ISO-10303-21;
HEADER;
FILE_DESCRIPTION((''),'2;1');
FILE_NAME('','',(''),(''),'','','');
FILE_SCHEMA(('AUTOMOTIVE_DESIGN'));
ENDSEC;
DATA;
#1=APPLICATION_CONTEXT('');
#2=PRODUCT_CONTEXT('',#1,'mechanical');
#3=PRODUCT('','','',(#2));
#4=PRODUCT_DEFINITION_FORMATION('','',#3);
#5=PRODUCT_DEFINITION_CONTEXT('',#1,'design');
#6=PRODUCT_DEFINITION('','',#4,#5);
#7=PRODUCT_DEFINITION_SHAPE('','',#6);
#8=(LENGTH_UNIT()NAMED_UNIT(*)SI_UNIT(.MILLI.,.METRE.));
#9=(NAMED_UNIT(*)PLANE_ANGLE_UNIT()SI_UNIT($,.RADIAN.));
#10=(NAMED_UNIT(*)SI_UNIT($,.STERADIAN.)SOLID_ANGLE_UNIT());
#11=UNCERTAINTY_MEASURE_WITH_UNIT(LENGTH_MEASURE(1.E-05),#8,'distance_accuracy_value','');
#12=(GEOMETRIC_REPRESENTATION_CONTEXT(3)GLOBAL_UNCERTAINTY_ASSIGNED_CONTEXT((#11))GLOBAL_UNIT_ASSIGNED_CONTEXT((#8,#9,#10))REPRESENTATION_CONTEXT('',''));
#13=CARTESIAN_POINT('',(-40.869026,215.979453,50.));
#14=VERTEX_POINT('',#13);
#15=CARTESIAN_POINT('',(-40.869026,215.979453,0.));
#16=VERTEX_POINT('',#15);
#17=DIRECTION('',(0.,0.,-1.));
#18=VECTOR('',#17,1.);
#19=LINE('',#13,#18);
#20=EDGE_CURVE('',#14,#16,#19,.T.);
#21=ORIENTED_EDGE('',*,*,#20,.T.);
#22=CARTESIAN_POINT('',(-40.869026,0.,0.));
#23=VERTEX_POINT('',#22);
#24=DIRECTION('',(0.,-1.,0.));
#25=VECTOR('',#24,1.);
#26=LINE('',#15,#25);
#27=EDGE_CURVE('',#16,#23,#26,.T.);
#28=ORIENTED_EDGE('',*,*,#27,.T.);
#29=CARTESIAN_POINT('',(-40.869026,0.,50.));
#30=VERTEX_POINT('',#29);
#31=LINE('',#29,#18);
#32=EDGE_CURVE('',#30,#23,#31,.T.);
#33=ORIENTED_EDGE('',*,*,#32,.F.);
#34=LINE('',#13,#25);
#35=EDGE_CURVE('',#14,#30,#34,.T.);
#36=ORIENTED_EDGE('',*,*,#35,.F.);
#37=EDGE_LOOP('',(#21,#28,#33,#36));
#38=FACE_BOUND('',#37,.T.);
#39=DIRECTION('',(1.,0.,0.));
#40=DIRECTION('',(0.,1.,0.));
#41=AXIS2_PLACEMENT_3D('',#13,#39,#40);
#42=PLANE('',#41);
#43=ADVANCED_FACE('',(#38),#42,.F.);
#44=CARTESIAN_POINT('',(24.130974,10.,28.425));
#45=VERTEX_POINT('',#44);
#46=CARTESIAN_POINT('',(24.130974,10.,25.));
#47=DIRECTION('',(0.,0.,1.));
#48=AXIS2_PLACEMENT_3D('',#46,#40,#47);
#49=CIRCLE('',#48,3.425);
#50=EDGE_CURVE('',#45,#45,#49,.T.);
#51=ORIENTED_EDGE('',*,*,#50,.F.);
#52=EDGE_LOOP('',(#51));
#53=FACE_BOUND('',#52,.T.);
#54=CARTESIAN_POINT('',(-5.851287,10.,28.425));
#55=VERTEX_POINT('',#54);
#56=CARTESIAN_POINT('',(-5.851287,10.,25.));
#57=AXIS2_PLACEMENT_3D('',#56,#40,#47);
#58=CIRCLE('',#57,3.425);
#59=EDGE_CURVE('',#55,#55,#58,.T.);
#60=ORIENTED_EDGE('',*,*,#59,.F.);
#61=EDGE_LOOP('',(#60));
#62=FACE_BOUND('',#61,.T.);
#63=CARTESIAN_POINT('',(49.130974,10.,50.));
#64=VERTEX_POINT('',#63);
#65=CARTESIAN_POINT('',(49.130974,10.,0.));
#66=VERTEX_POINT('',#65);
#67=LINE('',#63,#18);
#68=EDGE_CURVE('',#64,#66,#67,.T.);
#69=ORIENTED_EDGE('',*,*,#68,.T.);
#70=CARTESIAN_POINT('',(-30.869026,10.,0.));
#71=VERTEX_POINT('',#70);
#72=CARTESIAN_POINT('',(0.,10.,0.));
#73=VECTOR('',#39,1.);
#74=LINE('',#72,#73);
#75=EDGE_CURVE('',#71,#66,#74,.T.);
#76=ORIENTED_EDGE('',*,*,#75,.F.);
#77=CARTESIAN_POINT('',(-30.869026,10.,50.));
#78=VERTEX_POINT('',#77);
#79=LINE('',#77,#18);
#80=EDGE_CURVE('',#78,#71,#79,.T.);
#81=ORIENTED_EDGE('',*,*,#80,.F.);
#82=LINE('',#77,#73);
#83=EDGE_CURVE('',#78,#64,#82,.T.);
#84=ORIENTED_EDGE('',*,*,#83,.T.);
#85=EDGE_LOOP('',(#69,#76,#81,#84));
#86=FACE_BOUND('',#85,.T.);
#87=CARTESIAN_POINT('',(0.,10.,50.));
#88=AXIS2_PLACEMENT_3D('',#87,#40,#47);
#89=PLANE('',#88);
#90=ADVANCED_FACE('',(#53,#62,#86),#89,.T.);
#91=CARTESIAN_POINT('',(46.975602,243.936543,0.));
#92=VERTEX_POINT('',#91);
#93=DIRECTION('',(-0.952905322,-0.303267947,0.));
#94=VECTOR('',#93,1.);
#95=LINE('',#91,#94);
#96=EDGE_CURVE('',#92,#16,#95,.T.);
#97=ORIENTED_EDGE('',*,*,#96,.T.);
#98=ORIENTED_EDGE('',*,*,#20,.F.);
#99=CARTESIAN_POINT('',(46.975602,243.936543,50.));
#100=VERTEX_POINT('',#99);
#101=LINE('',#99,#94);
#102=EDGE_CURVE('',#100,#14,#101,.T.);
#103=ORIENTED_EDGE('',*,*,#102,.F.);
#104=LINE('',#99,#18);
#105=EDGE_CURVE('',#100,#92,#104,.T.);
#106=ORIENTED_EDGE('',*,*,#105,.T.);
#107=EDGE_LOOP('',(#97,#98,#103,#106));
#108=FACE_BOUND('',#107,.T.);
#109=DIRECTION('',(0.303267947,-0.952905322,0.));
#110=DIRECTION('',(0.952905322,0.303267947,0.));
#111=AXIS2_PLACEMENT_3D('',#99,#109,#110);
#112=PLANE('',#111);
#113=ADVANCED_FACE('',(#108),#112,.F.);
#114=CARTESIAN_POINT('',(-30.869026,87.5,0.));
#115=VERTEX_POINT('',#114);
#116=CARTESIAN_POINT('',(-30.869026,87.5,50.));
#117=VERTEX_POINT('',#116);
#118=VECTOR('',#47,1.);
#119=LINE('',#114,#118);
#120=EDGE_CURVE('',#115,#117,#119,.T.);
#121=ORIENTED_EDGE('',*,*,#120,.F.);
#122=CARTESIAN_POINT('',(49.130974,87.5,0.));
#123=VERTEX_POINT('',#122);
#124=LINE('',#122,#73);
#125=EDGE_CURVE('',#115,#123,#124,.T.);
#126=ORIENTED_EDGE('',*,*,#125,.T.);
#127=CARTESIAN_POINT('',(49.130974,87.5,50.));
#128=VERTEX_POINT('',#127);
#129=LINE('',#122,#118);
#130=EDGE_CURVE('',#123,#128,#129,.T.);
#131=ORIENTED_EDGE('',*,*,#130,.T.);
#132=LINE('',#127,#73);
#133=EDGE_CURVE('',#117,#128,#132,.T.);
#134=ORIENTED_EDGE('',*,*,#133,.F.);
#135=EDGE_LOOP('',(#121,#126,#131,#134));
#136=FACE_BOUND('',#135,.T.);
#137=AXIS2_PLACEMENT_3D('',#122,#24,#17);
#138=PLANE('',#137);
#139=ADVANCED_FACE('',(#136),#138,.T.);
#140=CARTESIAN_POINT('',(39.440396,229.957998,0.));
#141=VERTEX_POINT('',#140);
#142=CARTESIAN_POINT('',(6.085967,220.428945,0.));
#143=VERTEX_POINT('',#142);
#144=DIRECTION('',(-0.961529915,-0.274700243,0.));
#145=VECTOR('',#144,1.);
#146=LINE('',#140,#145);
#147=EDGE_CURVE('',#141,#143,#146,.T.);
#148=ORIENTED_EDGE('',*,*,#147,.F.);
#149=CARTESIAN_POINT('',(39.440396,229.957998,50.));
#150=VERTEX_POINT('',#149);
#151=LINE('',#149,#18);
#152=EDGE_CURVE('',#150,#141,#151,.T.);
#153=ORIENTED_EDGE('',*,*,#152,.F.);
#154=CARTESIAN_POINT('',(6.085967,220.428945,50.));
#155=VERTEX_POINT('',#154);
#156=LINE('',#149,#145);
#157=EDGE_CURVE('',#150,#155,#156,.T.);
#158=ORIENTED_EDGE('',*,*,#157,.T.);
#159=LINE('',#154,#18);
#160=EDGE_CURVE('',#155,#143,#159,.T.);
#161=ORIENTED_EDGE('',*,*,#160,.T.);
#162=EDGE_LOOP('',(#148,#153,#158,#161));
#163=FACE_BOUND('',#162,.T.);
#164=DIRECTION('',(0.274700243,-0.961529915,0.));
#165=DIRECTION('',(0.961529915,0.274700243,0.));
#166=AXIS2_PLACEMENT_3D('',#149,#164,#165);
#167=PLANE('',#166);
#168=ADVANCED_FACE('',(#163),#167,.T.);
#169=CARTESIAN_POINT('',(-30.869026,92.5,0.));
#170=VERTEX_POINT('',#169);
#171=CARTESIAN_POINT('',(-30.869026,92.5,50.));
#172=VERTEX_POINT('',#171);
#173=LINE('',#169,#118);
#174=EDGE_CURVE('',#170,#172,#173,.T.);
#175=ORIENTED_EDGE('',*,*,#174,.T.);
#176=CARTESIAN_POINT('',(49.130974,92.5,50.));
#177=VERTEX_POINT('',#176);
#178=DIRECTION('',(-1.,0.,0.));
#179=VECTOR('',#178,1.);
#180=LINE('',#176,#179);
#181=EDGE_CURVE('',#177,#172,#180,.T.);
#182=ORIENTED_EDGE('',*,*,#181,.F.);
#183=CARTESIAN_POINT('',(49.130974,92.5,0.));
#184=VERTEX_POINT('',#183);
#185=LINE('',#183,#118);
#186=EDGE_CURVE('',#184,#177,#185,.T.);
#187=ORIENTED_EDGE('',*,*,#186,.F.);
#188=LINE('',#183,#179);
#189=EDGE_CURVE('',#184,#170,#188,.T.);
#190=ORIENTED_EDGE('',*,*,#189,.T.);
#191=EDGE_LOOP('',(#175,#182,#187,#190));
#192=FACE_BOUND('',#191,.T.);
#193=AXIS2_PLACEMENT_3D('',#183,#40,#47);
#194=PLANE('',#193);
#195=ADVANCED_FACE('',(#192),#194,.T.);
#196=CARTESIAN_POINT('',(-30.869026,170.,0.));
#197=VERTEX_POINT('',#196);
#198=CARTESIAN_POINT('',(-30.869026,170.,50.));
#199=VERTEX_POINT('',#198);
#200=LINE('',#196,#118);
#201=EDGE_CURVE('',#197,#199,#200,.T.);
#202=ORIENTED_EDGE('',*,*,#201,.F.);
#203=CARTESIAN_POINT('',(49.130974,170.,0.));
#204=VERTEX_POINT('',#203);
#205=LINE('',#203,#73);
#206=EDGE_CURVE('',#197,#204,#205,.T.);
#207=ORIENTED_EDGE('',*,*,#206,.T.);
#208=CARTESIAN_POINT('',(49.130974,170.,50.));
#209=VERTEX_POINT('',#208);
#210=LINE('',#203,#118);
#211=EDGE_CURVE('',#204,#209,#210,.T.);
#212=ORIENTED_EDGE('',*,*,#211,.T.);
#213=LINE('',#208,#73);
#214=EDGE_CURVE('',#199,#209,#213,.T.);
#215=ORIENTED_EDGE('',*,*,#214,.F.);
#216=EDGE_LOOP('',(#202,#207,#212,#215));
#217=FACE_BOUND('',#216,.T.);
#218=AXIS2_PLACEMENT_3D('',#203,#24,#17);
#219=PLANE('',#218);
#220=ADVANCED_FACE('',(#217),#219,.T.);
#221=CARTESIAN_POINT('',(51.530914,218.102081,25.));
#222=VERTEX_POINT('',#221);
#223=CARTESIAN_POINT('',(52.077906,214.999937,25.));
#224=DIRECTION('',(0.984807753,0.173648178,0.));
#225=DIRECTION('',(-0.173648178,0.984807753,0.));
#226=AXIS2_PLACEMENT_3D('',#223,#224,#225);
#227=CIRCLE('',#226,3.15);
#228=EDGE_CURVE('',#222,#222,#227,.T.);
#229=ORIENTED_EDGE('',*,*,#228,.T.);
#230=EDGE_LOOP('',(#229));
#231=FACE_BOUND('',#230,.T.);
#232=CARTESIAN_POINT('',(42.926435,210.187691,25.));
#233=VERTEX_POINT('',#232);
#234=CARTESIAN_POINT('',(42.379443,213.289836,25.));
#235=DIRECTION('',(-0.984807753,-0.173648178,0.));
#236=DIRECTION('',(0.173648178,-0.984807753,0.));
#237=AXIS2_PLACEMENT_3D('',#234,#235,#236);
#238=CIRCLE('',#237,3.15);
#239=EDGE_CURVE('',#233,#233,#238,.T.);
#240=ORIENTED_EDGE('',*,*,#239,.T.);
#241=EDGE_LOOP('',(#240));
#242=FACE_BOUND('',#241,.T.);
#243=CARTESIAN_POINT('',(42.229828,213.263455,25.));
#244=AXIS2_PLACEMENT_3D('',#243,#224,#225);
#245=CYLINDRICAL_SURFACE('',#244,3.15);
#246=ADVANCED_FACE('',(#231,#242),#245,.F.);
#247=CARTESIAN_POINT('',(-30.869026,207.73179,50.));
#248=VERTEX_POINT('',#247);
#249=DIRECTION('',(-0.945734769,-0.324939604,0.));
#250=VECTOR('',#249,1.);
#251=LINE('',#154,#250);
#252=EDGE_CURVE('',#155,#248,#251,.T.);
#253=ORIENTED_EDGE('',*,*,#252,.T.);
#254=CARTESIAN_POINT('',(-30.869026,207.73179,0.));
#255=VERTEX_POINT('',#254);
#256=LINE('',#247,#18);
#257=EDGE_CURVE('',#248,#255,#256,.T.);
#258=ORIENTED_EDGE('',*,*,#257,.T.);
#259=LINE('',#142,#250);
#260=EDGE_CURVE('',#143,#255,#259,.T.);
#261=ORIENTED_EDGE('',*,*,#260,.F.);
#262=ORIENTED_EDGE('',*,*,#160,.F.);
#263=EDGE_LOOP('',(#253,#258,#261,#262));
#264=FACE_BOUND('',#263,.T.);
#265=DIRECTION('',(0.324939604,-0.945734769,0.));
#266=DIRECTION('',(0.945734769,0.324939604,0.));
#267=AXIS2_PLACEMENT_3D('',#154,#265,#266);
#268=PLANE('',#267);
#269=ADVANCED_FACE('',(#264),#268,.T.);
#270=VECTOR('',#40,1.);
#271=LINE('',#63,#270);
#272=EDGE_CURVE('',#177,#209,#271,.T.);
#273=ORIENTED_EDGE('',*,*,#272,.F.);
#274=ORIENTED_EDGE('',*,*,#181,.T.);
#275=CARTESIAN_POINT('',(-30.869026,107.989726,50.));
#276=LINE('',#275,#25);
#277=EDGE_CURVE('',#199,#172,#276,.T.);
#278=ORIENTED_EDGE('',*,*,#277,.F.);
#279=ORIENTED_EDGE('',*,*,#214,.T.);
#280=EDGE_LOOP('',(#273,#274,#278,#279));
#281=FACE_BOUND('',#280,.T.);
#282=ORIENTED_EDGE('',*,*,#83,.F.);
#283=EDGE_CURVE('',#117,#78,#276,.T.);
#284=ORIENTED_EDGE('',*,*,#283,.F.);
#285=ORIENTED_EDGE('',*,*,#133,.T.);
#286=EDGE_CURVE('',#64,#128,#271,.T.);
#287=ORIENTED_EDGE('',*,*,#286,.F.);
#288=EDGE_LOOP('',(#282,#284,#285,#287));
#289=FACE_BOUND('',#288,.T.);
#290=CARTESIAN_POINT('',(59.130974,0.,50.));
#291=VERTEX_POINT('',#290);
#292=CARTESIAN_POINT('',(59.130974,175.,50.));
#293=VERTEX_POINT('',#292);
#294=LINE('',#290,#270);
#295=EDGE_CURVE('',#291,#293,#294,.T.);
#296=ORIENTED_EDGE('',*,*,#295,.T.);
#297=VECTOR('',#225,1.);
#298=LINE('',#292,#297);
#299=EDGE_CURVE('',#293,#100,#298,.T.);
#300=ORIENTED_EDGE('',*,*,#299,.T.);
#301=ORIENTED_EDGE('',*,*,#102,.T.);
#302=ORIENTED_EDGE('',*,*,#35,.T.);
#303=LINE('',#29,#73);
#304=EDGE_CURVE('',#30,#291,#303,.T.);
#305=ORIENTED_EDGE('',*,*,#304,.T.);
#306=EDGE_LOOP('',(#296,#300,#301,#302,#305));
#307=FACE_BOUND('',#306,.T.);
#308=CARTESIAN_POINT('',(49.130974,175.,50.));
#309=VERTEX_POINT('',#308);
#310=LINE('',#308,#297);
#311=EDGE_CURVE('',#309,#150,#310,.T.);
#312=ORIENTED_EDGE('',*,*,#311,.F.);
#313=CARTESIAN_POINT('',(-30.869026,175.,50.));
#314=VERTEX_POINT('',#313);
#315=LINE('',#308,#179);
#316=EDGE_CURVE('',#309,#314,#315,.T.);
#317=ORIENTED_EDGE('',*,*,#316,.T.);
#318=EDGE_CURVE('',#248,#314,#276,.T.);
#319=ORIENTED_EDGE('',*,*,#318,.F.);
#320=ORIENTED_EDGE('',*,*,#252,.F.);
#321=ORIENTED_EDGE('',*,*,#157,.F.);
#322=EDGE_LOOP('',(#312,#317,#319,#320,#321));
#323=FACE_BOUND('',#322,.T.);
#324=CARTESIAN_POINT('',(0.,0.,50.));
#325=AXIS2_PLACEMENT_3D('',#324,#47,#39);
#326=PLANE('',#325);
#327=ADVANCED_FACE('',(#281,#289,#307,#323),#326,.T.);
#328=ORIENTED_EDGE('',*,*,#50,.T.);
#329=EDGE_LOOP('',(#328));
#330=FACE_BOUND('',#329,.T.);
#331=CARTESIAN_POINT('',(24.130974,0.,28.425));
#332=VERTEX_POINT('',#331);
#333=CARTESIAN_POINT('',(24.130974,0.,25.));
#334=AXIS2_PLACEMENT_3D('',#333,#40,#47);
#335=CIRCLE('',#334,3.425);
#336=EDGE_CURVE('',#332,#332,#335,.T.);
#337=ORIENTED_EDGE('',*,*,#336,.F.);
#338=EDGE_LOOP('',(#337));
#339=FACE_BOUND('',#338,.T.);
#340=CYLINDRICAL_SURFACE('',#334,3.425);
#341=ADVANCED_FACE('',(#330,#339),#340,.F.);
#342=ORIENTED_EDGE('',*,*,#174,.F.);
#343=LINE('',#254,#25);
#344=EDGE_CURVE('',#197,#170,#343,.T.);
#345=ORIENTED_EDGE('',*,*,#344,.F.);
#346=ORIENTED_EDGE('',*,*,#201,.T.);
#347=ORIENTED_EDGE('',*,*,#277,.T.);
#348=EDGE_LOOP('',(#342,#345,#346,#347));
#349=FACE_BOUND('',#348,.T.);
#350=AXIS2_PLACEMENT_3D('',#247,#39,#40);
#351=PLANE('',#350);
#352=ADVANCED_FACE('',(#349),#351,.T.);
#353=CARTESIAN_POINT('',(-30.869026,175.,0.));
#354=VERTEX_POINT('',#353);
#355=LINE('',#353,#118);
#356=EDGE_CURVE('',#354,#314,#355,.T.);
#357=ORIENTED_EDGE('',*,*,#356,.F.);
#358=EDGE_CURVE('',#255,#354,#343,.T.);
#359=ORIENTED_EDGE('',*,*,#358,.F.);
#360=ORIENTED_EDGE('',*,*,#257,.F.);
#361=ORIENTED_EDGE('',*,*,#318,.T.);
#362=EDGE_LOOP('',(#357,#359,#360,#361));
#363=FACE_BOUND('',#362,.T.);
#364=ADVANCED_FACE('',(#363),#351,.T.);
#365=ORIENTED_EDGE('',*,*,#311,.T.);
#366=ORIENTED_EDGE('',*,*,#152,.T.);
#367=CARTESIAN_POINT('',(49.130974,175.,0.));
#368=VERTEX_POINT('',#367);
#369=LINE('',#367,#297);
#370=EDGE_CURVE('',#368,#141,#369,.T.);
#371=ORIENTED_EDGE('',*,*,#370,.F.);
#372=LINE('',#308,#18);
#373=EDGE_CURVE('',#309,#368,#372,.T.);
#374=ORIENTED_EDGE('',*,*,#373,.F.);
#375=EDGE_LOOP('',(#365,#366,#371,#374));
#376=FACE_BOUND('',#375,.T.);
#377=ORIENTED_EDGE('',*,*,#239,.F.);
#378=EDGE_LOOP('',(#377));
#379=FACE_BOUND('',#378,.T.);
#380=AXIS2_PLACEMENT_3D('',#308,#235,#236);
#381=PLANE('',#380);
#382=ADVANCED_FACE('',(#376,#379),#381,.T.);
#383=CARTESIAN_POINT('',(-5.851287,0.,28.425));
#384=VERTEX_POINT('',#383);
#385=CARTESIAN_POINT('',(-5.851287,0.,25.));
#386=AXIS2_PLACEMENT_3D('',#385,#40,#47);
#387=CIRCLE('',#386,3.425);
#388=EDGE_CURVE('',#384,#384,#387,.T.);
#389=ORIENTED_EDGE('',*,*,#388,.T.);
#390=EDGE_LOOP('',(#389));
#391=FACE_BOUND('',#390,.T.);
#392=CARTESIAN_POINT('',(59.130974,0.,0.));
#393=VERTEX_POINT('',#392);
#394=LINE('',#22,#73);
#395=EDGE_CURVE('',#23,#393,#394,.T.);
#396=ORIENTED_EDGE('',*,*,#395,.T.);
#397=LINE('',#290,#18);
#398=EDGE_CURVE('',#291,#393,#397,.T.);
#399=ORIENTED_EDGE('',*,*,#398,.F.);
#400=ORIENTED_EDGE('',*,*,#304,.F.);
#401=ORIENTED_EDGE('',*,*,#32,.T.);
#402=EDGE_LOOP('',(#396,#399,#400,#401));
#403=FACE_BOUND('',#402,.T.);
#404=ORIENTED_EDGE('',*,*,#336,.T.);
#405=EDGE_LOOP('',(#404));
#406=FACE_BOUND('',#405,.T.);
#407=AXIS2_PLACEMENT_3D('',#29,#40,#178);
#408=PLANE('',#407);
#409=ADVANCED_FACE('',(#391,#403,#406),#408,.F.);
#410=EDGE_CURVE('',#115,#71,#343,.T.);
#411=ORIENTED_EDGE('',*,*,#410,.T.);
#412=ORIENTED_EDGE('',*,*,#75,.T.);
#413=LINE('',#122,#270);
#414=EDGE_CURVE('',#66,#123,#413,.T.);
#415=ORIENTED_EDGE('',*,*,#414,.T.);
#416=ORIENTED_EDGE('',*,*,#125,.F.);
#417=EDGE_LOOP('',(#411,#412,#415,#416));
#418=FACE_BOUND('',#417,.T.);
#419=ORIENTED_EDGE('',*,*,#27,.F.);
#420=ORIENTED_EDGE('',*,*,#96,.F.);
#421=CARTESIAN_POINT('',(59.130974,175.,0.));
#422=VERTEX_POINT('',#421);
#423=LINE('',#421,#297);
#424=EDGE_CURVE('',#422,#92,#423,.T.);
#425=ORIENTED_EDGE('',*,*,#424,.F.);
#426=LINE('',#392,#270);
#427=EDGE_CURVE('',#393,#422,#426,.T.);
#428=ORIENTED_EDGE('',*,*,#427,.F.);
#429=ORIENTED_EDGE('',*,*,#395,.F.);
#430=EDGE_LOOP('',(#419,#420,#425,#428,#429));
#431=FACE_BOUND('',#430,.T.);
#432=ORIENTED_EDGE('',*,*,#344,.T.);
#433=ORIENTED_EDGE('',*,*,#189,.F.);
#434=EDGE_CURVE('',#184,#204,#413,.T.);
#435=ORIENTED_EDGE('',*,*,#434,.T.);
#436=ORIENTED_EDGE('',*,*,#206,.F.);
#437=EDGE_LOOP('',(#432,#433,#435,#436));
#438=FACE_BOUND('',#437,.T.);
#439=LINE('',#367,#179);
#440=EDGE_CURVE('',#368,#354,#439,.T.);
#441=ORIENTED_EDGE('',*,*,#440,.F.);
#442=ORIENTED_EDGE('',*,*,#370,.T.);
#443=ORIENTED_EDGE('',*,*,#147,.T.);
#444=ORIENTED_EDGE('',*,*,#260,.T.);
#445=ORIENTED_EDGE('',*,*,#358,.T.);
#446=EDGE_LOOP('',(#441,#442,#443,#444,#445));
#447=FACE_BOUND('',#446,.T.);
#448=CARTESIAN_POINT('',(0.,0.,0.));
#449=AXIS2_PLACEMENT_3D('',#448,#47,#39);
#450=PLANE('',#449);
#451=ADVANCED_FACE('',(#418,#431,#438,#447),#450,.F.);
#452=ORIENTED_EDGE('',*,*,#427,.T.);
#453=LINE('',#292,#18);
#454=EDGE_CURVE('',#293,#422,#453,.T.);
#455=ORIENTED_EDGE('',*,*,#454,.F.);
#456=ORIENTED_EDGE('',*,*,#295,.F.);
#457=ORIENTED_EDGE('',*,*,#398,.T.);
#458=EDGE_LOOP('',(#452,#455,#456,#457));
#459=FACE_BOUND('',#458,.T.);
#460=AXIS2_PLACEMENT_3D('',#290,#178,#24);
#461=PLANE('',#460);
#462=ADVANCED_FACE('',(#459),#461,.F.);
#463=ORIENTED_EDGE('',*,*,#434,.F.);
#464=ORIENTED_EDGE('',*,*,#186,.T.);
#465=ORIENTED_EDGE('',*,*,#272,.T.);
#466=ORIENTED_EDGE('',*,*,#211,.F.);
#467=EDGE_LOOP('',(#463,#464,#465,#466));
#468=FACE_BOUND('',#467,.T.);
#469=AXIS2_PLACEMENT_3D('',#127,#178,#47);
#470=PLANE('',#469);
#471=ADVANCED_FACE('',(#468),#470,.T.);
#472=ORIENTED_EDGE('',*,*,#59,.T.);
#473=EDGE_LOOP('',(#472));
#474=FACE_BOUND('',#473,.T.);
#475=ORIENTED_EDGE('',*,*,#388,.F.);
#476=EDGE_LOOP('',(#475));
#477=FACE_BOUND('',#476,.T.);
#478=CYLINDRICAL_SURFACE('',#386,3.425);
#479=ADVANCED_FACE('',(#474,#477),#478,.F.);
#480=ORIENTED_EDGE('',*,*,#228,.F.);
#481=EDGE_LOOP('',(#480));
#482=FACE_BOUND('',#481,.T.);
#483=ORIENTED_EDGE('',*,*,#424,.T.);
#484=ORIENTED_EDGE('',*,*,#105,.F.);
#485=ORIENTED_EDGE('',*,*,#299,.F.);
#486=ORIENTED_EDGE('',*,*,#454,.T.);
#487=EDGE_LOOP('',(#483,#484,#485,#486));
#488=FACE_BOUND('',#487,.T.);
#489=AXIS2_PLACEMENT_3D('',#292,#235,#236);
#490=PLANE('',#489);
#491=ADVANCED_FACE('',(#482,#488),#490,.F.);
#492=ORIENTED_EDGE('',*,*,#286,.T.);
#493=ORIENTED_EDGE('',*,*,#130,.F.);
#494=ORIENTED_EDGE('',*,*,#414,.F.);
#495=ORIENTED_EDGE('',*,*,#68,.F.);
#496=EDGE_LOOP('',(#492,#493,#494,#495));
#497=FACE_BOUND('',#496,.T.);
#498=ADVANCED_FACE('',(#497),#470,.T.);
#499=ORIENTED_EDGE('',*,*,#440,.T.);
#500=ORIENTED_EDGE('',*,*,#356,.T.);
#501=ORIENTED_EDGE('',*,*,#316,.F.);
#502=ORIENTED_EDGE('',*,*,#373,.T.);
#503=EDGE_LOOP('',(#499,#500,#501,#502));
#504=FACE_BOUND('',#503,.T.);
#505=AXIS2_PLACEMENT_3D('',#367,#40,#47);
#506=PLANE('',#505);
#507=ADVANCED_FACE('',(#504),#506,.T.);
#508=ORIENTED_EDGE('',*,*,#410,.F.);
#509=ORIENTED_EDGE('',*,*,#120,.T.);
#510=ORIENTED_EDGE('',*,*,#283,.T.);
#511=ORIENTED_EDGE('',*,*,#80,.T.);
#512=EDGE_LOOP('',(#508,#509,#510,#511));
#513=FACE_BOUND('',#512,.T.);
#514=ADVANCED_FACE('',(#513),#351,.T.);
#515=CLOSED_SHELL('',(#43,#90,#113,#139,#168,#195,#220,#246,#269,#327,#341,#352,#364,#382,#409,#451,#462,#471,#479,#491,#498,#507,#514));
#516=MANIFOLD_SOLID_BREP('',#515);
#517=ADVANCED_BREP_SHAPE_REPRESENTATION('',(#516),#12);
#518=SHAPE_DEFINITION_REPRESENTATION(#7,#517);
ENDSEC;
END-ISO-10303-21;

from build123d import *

# Parameters (mm, degrees)
BOSS_EXTRUDE1_DEPTH = 50
SKETCH4_R           = 3.15
CUT_EXTRUDE1_DEPTH  = 10
SKETCH10_R          = 3.425
CUT_EXTRUDE5_DEPTH  = 10
SKETCH12_W          = 80
SKETCH12_H          = 5
BOSS_EXTRUDE2_DEPTH = 50


with BuildPart() as part:
    # Sketch2 → Boss-Extrude1 (new body)
    with BuildSketch(Plane.XY):
        Polygon((-40.869025982, 215.979452737), (-40.869025982, 0), (59.130974018, 0), (59.130974018, 175), (46.975601581, 243.936542711), align=None)
        Polygon((0, 10), (49.130974018, 10), (49.130974018, 87.5), (49.130974018, 175), (39.440396213, 229.957997724), (6.085967265, 220.428944505), (-30.869025982, 207.731789579), (-30.869025982, 107.989726368), (-30.869025982, 10), align=None, mode=Mode.SUBTRACT)
    extrude(amount=BOSS_EXTRUDE1_DEPTH)

    # Sketch4 → Cut-Extrude1 (cut)
    with BuildSketch(Plane(origin=(87.274719522, 15.388887785, 0), x_dir=(0, 0, -1), z_dir=(0.984807753, 0.173648178, 0))):
        with Locations((-25, 202.690370895)):
            Circle(SKETCH4_R)
    extrude(amount=-CUT_EXTRUDE1_DEPTH, mode=Mode.SUBTRACT)

    # Sketch10 → Cut-Extrude5 (cut)
    with BuildSketch(Plane(origin=(0, 10, 0), x_dir=(1, 0, 0), z_dir=(0, 1, 0))):
        with Locations((-5.851287133, -25)):
            Circle(SKETCH10_R)
        with Locations((24.130974018, -25)):
            Circle(SKETCH10_R)
    extrude(amount=-CUT_EXTRUDE5_DEPTH, mode=Mode.SUBTRACT)

    # Sketch12 → Boss-Extrude2 (add)
    with BuildSketch(Plane.XY.offset(50)):
        with Locations((9.130974018, 172.5)):
            Rectangle(SKETCH12_W, SKETCH12_H)
        with Locations((9.130974018, 90)):
            Rectangle(SKETCH12_W, SKETCH12_H)
    extrude(amount=-BOSS_EXTRUDE2_DEPTH)


solid = part.part
